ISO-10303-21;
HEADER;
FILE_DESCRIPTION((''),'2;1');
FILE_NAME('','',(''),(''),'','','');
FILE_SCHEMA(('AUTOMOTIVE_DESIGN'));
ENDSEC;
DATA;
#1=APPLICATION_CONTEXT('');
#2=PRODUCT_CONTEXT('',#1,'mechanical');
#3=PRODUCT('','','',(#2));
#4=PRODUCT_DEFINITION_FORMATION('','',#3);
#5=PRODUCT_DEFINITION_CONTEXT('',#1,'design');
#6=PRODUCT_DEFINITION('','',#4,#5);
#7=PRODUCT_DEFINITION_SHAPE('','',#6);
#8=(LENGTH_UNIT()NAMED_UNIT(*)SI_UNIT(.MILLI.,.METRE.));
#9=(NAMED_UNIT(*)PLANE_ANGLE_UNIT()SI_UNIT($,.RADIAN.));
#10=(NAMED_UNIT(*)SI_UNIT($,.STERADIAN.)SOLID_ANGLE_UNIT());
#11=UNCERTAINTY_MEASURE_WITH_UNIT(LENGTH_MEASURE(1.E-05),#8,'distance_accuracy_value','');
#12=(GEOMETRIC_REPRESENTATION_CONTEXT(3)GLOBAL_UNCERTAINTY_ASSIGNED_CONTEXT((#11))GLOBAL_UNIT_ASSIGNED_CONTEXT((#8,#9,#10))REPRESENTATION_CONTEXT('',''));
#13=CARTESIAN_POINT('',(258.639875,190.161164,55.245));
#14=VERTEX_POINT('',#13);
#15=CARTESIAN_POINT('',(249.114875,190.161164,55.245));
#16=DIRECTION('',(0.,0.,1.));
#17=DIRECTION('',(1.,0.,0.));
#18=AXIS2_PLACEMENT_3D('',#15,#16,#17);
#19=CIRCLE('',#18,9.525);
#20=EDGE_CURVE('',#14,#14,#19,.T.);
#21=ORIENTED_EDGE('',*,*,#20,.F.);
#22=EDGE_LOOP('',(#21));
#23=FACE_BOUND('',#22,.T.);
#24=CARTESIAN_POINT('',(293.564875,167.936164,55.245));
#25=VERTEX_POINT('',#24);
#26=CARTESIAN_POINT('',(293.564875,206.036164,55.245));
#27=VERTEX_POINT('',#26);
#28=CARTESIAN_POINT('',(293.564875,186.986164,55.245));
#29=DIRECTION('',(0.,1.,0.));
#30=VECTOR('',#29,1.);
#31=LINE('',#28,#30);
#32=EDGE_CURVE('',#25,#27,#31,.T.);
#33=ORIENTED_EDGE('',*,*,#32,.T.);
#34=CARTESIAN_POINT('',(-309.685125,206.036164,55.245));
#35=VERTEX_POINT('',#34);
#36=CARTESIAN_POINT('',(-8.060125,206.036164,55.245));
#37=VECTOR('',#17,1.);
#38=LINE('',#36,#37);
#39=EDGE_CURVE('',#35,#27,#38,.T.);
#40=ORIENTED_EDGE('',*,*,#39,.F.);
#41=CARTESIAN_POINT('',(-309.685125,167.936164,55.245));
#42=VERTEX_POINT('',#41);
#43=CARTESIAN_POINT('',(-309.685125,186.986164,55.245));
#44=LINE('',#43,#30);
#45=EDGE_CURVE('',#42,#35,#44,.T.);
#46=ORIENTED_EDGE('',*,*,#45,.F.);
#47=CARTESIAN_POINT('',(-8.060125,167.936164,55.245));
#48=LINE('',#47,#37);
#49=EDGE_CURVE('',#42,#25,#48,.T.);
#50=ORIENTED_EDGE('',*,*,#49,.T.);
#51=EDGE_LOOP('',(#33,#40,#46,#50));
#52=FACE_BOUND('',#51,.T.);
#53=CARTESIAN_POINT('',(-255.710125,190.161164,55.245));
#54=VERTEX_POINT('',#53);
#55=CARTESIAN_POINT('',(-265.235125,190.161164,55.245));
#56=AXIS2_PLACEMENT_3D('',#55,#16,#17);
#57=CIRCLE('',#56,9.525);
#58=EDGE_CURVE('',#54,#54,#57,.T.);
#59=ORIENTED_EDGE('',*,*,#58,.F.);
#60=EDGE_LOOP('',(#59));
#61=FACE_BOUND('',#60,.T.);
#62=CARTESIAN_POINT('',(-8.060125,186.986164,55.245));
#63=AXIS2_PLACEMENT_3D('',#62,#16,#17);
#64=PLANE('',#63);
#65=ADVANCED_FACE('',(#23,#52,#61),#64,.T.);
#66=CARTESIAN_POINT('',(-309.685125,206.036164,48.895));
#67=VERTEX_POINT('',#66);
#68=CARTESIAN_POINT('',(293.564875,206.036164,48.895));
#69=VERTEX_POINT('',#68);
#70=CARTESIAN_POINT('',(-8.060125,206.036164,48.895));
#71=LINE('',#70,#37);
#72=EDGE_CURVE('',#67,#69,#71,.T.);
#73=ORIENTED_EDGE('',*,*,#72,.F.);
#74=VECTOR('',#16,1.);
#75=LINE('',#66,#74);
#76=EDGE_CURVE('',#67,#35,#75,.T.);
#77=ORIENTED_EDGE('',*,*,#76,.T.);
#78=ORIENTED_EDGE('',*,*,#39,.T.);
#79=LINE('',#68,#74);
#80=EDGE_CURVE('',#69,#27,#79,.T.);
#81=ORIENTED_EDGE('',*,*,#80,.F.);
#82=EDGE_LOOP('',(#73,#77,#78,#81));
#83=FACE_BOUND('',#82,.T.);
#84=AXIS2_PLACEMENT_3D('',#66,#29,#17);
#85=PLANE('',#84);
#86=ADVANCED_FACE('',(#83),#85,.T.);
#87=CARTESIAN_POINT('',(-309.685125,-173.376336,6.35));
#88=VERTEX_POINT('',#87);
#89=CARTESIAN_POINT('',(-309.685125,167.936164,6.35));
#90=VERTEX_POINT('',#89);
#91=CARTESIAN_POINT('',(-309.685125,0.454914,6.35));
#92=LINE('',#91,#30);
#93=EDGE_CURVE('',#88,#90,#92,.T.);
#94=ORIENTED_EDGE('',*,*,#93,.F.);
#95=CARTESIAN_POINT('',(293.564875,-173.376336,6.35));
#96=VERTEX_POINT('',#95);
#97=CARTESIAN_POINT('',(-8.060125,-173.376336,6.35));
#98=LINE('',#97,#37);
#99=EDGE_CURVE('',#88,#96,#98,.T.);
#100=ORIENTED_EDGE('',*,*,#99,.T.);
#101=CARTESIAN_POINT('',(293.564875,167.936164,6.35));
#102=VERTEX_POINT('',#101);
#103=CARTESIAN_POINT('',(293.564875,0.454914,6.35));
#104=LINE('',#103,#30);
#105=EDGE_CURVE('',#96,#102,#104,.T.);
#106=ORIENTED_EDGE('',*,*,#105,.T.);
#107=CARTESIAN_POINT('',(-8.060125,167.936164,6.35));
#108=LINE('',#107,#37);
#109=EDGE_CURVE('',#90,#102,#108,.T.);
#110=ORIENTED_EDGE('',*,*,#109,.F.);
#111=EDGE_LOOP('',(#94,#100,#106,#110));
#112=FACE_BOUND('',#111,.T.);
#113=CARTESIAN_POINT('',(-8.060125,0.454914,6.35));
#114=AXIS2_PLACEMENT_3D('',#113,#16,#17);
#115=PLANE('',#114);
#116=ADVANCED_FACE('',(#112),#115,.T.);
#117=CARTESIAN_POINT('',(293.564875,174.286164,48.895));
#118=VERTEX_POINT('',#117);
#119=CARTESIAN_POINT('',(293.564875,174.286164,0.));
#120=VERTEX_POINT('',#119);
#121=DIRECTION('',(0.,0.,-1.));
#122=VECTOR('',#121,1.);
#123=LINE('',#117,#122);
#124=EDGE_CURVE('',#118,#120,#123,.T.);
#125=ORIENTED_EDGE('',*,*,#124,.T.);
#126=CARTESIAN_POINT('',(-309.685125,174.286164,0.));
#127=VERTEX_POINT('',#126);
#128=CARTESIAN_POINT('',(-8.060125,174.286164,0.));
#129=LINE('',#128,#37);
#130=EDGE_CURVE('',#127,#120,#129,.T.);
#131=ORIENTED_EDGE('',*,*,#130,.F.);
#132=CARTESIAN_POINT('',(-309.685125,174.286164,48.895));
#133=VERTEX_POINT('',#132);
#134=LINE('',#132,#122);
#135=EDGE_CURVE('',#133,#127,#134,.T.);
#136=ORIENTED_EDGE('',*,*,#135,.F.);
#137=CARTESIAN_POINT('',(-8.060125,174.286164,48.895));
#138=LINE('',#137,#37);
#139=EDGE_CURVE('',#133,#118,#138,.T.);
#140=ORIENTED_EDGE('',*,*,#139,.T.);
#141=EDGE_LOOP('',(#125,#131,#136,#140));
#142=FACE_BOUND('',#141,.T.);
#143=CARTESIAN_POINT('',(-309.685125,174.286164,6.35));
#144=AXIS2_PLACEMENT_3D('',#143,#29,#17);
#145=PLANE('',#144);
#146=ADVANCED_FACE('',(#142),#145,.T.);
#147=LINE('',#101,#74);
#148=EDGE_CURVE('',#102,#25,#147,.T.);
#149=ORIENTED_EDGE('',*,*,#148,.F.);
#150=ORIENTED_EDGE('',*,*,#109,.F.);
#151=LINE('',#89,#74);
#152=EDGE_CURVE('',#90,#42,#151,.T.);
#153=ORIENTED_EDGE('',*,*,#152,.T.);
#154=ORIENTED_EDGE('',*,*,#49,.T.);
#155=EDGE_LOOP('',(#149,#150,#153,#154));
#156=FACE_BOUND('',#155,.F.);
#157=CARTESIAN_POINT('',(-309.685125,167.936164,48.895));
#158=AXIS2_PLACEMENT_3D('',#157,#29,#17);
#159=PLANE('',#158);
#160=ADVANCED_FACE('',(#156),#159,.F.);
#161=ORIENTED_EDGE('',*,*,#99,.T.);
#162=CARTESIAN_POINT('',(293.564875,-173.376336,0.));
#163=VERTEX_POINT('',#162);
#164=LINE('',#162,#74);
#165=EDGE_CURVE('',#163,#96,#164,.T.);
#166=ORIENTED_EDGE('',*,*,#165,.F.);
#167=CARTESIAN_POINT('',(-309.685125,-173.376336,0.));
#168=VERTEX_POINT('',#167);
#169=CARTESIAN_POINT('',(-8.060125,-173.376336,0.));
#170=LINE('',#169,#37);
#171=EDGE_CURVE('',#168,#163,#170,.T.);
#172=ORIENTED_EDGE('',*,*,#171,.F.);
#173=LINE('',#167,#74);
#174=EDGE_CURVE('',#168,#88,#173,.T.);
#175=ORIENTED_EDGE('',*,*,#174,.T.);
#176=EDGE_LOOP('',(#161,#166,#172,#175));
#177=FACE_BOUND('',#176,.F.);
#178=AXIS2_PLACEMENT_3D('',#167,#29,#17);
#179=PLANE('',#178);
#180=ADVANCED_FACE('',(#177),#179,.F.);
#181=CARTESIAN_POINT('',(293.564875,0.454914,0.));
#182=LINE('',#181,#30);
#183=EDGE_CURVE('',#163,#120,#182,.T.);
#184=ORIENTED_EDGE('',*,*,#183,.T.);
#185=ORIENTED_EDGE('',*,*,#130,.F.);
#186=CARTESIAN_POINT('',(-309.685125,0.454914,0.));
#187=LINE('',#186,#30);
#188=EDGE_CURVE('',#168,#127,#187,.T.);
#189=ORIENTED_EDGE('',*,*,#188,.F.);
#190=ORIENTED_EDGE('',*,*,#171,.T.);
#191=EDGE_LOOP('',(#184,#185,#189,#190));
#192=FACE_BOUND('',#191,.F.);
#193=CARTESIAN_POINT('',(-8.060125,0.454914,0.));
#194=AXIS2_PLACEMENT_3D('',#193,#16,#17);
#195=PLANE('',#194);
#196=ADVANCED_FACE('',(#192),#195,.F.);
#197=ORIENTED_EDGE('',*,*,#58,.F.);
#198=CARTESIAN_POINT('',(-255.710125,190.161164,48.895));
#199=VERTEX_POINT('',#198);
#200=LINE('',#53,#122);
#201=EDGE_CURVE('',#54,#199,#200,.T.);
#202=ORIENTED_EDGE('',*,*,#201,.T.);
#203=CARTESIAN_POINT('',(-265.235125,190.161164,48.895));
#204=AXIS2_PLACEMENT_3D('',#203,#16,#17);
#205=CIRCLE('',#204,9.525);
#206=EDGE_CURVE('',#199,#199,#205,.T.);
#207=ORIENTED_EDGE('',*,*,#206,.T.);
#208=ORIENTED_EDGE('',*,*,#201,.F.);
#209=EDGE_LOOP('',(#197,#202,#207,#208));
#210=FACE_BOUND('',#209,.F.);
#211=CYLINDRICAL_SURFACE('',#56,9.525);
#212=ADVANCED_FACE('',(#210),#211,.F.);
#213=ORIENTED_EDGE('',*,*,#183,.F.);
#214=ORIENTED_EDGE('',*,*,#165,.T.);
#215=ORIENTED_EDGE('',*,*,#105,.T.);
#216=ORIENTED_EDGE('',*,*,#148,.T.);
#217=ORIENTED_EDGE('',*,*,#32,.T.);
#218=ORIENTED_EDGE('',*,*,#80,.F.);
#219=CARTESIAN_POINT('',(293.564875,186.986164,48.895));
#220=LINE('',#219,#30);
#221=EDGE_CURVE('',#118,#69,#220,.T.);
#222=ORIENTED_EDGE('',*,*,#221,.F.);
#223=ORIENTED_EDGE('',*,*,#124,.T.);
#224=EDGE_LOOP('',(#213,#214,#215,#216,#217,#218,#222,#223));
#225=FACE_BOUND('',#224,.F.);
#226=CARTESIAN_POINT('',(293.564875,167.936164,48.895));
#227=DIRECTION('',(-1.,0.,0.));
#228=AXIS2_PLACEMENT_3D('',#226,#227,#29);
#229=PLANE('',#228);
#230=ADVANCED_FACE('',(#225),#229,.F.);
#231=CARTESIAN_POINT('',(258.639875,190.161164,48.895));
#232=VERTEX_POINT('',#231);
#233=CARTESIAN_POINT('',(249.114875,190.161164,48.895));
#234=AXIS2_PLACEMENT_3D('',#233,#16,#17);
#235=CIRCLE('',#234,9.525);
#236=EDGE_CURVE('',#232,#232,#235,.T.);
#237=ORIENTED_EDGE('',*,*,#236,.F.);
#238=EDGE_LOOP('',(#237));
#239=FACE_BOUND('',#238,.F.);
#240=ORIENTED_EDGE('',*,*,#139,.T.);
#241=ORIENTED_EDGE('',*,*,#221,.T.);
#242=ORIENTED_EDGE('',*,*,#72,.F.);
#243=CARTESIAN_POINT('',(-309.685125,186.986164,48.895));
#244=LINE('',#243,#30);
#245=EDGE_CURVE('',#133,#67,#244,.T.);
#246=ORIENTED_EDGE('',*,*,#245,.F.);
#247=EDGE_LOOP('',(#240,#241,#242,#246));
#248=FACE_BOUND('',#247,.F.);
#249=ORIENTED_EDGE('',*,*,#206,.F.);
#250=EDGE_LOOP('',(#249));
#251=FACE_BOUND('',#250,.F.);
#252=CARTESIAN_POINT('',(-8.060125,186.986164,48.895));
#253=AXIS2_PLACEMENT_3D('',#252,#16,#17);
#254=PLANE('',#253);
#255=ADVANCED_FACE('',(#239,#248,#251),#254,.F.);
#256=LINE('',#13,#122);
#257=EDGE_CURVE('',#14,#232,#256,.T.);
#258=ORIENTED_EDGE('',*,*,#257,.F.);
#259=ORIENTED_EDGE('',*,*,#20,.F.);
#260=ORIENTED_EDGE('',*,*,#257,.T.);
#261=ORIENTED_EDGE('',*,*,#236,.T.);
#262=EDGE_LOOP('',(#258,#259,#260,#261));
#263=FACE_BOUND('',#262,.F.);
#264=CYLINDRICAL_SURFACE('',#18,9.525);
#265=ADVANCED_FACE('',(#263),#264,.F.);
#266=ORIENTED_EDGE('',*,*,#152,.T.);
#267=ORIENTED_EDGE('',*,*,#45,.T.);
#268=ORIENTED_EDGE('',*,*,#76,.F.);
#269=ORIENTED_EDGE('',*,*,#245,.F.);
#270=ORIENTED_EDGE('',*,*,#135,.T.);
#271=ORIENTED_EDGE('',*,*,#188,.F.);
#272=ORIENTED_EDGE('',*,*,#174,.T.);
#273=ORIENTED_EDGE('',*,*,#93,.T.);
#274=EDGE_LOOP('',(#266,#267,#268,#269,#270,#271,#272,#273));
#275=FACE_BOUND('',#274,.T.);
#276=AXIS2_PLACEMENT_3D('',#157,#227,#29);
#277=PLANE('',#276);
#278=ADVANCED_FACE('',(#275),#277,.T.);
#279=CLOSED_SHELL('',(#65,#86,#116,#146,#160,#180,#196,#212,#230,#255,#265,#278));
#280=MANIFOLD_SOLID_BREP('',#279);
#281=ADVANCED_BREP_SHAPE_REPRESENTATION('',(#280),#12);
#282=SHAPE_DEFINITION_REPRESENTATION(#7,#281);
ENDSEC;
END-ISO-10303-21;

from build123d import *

# Parameters (mm, degrees)
F0_W     = 603.25
F0_H     = 347.6625
F1_DEPTH = 6.35
F2_W     = 603.25
F2_H     = 6.35
F3_DEPTH = 42.545
F4_W     = 603.25
F4_H     = 38.1
F5_DEPTH = 6.35
F6_R     = 9.525
F7_DEPTH = 55.246


with BuildPart() as f1:
    # F0 (on Top) → F1 (new body)
    with BuildSketch(Plane.XY):
        with Locations((-8.060125, 0.454914)):
            Rectangle(F0_W, F0_H)
    extrude(amount=F1_DEPTH)

    # F2 (on face) → F3 (join)
    with BuildSketch(Plane.XY.offset(6.35)):
        with Locations((-8.060125, 171.111164)):
            Rectangle(F2_W, F2_H)
    extrude(amount=F3_DEPTH)

    # F4 (on face) → F5 (join)
    with BuildSketch(Plane.XY.offset(48.895)):
        with Locations((-8.060125, 186.986164)):
            Rectangle(F4_W, F4_H)
    extrude(amount=F5_DEPTH)

    # F6 (on face) → F7 (cut, through all)
    with BuildSketch(Plane.XY.offset(55.245)):
        with Locations((-265.235125, 190.161164)):
            Circle(F6_R)
        with Locations((249.114875, 190.161164)):
            Circle(F6_R)
    extrude(amount=-F7_DEPTH, mode=Mode.SUBTRACT)


solid = f1.part
